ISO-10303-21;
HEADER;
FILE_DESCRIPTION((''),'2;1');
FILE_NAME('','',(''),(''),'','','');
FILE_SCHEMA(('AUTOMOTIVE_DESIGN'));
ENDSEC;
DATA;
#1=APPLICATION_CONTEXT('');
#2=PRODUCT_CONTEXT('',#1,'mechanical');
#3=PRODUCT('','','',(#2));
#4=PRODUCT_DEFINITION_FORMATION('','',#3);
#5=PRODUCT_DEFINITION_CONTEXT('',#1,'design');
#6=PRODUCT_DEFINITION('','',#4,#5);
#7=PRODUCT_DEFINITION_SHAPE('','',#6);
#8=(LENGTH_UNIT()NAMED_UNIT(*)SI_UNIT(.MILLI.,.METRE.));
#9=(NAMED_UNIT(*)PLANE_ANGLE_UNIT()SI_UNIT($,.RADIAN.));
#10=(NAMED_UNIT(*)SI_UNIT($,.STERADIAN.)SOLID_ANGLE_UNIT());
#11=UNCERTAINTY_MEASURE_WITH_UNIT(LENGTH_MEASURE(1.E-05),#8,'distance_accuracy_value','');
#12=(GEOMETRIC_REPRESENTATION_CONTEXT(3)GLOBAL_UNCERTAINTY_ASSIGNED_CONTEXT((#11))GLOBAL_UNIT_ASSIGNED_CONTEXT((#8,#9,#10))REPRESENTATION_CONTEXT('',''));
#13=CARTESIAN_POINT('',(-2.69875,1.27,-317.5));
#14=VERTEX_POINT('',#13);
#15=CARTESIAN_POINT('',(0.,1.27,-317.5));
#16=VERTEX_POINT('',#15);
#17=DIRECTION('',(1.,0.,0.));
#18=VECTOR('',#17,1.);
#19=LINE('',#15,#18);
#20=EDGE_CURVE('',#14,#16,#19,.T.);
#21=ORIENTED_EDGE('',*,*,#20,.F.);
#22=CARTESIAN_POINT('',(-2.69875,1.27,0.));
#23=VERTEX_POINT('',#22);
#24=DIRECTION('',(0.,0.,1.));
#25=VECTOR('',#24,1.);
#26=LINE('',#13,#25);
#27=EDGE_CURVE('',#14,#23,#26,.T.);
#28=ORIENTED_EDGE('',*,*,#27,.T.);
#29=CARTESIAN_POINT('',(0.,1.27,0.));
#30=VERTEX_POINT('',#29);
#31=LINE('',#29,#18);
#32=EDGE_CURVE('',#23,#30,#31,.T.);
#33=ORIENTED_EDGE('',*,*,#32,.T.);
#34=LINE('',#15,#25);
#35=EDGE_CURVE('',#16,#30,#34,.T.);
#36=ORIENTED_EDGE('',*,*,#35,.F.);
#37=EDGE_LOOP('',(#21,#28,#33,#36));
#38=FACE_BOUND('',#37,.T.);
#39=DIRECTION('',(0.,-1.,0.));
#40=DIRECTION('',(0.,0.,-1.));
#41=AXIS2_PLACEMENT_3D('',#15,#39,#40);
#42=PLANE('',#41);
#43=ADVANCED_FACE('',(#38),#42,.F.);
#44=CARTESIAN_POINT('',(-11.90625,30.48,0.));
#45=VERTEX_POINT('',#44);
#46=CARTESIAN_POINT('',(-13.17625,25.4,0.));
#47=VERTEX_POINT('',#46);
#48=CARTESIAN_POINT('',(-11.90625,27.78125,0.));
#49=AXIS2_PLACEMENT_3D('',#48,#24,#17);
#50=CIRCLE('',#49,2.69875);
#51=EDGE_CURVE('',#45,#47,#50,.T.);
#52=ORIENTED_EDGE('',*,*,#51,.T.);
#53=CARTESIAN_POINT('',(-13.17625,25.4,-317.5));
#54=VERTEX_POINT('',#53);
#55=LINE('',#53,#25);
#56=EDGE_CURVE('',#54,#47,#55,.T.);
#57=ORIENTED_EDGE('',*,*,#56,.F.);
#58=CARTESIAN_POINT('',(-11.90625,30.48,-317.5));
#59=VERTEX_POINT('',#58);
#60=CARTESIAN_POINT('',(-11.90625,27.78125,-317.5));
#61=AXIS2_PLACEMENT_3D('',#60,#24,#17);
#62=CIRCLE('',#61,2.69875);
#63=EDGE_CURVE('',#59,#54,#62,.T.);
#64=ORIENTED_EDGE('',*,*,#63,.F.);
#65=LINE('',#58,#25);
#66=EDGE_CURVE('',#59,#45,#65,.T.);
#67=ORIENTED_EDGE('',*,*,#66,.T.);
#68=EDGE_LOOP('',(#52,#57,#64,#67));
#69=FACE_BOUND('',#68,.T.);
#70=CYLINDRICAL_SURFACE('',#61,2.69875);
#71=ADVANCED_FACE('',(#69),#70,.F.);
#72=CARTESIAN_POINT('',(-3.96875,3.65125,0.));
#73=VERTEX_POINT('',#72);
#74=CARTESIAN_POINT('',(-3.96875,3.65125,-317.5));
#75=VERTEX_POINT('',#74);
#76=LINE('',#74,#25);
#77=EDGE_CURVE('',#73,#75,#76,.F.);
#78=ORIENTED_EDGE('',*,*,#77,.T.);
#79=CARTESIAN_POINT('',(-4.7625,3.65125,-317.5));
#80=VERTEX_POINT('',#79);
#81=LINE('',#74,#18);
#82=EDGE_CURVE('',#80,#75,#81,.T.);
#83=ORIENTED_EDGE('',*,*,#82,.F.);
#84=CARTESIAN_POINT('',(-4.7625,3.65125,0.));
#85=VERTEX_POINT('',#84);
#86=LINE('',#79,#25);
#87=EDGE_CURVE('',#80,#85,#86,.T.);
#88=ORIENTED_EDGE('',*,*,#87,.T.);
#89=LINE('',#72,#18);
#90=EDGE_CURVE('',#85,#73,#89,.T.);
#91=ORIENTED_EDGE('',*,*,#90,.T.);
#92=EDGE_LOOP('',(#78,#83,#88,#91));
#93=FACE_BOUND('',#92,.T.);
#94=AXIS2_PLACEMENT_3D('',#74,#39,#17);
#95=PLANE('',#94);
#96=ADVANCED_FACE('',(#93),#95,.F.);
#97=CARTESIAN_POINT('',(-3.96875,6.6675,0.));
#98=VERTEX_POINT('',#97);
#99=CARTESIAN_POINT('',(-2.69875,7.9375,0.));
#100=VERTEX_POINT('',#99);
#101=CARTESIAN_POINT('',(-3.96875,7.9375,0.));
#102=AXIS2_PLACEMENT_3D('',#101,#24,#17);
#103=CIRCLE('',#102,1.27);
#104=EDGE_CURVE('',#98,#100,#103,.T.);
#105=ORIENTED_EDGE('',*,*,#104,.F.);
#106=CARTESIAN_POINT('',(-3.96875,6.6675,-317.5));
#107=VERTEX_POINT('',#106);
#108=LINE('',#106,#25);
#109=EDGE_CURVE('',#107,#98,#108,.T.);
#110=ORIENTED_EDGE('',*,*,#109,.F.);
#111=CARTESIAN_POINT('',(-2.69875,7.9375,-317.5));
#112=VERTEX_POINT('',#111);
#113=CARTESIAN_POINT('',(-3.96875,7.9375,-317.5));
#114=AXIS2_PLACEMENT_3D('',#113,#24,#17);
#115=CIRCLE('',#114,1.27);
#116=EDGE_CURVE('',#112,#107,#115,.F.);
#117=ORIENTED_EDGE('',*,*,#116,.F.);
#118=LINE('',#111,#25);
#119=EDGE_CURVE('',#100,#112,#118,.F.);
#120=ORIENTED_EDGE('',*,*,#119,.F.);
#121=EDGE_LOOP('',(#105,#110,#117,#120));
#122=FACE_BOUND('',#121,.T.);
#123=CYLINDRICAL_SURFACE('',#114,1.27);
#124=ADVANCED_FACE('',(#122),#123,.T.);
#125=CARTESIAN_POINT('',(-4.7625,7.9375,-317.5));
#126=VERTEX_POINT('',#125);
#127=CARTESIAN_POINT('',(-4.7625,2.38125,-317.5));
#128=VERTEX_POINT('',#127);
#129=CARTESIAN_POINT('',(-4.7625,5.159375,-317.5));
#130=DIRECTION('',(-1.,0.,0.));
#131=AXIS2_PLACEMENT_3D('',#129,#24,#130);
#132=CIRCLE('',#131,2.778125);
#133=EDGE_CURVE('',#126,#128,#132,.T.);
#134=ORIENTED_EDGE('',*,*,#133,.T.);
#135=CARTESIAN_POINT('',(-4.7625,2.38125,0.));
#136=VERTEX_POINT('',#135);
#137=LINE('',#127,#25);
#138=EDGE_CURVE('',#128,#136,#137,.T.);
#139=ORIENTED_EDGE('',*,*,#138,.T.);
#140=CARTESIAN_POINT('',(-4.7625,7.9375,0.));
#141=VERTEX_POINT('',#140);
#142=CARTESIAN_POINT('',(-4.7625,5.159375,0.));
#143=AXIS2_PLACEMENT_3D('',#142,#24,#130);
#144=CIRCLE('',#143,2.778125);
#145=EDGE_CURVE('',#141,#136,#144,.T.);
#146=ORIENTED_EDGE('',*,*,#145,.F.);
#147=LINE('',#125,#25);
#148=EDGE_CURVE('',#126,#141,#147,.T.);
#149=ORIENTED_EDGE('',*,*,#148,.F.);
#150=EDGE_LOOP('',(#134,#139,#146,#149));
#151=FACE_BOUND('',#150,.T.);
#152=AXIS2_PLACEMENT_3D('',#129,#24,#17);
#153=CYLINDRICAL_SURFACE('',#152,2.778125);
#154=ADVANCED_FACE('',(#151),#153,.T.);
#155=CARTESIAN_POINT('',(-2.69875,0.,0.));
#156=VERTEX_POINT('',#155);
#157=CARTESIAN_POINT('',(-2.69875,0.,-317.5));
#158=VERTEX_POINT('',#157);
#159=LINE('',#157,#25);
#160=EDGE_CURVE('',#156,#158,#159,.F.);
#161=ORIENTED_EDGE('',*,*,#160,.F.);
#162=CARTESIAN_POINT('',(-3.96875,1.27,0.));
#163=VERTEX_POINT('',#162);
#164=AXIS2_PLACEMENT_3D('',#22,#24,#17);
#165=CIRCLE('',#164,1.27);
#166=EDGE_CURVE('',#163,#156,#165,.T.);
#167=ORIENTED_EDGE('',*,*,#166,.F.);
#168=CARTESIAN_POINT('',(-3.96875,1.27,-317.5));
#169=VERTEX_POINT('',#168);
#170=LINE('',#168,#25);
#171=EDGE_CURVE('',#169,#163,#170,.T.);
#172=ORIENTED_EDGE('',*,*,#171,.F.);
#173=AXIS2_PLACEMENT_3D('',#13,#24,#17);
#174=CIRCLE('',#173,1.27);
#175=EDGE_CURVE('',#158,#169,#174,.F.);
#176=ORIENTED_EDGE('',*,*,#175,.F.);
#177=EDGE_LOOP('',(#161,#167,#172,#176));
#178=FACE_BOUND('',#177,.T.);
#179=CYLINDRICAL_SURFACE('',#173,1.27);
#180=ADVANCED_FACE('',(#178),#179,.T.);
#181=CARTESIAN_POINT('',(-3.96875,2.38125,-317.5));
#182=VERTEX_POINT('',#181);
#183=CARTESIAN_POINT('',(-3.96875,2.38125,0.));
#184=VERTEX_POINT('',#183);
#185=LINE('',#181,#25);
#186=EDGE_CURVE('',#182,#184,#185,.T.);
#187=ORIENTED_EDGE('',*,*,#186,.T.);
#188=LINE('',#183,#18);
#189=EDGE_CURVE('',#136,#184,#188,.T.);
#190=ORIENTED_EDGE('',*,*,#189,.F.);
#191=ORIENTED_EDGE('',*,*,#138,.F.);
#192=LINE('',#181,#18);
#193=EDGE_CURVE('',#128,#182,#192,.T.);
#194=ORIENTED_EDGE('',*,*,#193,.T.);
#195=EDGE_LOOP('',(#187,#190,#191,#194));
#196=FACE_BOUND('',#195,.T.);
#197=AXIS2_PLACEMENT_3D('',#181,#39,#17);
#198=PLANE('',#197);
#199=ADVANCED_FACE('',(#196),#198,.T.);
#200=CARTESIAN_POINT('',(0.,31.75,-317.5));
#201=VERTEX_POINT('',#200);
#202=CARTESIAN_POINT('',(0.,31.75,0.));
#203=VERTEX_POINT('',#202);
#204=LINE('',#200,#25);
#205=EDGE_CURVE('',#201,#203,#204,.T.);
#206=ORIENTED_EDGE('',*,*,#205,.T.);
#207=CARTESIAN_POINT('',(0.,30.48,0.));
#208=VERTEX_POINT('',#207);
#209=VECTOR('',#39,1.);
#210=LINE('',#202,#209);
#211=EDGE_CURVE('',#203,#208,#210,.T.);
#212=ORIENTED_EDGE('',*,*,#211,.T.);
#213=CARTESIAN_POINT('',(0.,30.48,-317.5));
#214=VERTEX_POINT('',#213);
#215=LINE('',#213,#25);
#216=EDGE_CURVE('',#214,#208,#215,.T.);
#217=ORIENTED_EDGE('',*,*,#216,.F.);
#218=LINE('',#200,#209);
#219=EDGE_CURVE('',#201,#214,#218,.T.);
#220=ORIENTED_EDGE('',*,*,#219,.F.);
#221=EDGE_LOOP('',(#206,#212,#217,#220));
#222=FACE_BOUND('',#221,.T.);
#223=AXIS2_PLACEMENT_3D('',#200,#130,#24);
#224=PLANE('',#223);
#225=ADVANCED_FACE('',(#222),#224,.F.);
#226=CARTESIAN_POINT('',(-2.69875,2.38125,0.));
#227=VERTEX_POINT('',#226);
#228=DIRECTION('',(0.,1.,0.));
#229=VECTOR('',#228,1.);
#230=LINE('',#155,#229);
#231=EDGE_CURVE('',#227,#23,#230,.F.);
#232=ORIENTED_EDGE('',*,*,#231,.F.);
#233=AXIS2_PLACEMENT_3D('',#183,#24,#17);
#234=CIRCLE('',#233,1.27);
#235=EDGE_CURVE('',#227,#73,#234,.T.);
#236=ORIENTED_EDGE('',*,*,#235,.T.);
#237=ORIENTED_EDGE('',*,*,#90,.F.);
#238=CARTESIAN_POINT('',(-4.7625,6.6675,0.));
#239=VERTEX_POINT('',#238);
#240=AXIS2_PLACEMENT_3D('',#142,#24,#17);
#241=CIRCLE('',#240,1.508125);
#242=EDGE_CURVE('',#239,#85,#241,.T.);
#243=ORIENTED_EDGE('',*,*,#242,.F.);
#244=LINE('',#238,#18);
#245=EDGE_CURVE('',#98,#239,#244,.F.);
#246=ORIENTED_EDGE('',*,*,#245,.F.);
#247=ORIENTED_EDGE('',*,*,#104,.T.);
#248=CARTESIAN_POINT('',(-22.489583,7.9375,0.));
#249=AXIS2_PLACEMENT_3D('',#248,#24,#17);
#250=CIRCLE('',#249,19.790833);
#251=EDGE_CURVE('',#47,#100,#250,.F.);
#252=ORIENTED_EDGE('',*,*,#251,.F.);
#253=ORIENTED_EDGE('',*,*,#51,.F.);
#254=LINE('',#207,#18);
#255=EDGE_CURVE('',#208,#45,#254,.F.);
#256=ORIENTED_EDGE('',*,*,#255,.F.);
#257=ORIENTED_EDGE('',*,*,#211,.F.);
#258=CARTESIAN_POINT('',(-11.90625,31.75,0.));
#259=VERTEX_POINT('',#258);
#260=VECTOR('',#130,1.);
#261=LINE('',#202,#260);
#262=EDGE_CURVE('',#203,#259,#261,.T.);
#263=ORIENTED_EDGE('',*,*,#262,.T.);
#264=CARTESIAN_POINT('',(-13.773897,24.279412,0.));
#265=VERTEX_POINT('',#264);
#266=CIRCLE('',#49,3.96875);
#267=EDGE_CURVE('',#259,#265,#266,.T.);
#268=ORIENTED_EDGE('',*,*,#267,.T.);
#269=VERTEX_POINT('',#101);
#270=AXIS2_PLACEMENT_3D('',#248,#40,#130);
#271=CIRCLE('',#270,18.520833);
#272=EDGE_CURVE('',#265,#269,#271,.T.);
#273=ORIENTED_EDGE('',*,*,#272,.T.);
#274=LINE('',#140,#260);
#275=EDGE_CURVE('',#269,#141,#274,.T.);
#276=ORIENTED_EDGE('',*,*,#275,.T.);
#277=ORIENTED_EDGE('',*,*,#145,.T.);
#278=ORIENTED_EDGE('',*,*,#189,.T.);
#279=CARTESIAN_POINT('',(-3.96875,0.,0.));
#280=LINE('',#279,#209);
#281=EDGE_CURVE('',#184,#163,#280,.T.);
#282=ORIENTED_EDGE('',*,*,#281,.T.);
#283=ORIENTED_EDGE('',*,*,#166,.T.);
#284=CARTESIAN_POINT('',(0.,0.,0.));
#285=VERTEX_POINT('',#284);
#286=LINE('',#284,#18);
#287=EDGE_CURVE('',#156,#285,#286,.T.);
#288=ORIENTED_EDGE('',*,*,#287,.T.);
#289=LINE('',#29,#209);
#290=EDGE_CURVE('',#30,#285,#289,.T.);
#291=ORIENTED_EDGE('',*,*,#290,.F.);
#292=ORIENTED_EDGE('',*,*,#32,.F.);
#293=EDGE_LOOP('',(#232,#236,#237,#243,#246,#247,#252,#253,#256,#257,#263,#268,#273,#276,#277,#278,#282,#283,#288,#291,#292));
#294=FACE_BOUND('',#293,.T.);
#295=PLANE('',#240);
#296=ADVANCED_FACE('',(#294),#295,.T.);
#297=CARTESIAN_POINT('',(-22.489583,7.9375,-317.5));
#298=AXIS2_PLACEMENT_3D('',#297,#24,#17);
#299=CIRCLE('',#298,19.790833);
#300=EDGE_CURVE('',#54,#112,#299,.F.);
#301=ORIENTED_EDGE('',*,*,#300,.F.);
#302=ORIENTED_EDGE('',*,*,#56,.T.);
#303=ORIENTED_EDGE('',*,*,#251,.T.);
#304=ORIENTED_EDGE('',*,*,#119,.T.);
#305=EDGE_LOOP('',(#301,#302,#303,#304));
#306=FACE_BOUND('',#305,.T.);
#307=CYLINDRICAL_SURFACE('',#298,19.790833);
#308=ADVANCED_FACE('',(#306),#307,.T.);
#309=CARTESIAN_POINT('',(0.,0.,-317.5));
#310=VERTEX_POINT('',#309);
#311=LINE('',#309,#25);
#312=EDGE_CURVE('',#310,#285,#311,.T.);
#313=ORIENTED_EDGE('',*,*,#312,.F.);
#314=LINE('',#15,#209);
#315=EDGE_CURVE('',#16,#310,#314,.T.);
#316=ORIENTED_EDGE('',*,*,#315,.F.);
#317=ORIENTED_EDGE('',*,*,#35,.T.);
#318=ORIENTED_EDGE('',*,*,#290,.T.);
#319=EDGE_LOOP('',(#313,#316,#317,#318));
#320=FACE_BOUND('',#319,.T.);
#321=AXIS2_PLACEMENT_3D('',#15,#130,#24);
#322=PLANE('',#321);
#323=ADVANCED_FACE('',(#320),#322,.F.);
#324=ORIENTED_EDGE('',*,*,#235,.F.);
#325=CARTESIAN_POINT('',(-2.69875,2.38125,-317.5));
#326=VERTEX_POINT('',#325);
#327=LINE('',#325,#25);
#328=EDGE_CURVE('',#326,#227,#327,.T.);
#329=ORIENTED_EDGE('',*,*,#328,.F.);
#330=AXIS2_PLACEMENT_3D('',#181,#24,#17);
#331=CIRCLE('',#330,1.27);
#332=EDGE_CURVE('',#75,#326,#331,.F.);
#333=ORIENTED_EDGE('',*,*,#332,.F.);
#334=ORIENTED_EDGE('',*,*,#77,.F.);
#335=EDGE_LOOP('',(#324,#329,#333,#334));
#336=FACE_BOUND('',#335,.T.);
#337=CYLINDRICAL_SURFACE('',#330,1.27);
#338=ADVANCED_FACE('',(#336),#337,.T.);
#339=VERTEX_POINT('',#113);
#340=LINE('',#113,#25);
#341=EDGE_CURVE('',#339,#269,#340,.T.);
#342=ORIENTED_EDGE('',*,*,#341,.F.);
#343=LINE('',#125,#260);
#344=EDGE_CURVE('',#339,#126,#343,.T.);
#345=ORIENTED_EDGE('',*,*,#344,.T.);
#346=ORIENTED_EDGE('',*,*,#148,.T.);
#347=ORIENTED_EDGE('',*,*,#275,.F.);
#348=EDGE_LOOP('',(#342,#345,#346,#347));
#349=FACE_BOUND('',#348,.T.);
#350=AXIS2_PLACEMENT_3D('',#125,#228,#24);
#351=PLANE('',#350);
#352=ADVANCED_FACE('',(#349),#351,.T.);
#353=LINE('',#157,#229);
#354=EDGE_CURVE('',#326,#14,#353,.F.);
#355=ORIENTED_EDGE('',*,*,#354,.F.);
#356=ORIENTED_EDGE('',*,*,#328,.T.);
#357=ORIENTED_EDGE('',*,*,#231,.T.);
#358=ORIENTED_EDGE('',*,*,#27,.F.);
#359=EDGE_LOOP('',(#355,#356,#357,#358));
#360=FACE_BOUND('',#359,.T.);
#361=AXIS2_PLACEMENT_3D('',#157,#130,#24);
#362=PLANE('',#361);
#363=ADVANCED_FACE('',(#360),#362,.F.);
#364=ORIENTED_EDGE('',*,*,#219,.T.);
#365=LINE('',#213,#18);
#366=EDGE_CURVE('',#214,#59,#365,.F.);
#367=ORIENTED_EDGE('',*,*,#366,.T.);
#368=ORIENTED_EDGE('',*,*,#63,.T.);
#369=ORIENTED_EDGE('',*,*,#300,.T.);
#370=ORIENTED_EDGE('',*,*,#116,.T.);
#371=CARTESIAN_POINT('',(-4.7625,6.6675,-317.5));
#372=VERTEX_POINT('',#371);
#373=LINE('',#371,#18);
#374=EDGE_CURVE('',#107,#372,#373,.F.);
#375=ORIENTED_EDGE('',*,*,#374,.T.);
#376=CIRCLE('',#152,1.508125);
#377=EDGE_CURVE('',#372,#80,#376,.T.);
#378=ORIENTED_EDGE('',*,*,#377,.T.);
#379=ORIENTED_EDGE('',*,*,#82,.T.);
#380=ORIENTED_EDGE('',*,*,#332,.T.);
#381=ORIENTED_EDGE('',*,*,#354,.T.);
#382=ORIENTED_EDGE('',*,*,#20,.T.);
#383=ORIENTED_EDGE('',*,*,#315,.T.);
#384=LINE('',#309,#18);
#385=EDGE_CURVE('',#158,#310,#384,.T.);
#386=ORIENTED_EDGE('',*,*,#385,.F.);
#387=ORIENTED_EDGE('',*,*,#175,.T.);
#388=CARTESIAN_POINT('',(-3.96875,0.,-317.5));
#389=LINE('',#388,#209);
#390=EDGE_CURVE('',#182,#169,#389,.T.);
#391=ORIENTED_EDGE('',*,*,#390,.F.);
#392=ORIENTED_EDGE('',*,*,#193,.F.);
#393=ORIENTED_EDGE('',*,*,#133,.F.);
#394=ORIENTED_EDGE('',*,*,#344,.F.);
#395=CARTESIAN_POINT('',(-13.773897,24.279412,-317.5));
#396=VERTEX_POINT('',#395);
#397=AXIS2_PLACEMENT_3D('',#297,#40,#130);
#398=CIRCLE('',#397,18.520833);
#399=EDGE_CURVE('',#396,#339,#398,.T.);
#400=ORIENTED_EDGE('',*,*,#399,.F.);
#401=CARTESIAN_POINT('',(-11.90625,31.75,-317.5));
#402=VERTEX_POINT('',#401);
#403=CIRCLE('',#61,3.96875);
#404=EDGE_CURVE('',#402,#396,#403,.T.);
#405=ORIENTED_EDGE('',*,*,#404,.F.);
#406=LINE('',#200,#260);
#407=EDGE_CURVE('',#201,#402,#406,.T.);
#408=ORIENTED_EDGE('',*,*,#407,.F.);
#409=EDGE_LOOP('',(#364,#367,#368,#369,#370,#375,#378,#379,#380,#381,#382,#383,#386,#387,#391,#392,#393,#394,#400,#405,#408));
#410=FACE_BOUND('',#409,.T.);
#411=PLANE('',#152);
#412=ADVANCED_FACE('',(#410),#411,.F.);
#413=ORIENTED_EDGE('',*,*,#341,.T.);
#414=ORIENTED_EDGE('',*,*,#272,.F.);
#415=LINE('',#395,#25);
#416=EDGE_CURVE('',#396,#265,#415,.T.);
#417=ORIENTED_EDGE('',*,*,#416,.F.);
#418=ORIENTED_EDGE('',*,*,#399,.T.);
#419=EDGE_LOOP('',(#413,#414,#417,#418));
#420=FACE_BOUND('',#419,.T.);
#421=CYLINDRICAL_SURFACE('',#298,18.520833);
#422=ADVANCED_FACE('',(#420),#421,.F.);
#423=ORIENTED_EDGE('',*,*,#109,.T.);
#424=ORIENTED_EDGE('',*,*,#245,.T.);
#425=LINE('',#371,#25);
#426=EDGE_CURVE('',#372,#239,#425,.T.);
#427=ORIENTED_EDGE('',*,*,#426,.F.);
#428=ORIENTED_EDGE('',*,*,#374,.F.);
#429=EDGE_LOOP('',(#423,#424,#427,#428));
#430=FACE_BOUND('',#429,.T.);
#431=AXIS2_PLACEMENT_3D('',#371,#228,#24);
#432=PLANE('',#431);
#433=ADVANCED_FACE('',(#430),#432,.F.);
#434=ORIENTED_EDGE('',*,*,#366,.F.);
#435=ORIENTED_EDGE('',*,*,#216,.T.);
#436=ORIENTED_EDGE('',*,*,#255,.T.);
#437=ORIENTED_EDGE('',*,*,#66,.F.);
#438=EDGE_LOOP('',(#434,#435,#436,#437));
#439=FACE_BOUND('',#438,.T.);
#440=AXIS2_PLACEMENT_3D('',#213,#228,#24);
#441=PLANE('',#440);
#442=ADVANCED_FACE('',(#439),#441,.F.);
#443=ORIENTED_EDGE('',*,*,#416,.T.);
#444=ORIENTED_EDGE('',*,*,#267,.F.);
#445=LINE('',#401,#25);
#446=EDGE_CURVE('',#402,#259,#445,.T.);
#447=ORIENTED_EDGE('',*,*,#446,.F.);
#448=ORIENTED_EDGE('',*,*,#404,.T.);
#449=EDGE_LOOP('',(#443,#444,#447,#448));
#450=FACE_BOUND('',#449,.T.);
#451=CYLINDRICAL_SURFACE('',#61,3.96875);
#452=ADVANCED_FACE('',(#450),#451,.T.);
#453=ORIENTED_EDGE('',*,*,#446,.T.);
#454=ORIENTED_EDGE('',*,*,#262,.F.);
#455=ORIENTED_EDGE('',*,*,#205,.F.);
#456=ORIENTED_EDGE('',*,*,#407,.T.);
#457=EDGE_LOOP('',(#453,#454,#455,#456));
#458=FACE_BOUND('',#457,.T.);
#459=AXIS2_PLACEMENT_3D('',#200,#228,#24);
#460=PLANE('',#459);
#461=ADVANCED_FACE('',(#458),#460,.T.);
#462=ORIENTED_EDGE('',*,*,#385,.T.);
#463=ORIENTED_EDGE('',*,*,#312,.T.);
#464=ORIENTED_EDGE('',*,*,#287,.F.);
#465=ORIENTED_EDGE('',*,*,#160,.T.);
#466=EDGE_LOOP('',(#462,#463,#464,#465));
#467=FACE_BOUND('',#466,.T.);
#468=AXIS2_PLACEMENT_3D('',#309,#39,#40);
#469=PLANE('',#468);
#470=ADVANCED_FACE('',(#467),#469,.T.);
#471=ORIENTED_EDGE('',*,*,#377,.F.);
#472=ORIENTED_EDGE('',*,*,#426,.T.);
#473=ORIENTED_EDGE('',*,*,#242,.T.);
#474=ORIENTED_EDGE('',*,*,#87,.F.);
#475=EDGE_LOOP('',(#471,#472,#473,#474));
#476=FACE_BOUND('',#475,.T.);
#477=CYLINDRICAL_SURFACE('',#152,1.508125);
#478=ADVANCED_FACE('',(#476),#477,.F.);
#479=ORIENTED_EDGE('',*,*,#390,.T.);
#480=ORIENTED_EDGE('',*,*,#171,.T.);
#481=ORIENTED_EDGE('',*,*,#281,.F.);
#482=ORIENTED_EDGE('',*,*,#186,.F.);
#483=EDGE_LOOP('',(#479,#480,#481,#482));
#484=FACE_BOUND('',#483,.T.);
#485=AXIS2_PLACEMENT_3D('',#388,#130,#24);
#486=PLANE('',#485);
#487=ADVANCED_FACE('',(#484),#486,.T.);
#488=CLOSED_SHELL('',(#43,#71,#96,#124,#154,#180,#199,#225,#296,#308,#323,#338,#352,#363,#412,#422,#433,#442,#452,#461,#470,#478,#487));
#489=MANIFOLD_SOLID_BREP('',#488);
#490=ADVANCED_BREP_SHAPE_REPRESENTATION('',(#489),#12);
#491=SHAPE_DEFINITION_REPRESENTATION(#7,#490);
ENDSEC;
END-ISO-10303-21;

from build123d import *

# Parameters (mm, degrees)
EXTRUDE_THIN1_DEPTH = 317.5
FILLET1_R           = 1.27


with BuildPart() as part:
    # Sketch1 → Extrude-Thin1 (new body)
    with BuildSketch(Plane.XY):
        with BuildLine():
            Line((0, 31.75), (-11.90625, 31.75))
            ThreePointArc((-11.90625, 31.75), (-15.756503047, 28.743813262), (-13.773897059, 24.279411765))
            ThreePointArc((-13.773897059, 24.279411765), (-6.608099772, 17.466390137), (-3.96875, 7.9375))
            Line((-3.96875, 7.9375), (-4.7625, 7.9375))
            ThreePointArc((-4.7625, 7.9375), (-7.540625, 5.159375), (-4.7625, 2.38125))
            Line((-4.7625, 2.38125), (-3.96875, 2.38125))
            Line((-3.96875, 2.38125), (-3.96875, 0))
            Line((-3.96875, 0), (0, 0))
            Line((0, 0), (0, 1.27))
            Line((0, 1.27), (-2.69875, 1.27))
            Line((-2.69875, 1.27), (-2.69875, 3.65125))
            Line((-2.69875, 3.65125), (-4.7625, 3.65125))
            ThreePointArc((-4.7625, 3.65125), (-6.270625, 5.159375), (-4.7625, 6.6675))
            Line((-4.7625, 6.6675), (-2.7395407, 6.6675))
            ThreePointArc((-2.7395407, 6.6675), (-5.200957167, 17.569762939), (-13.17625, 25.4))
            ThreePointArc((-13.17625, 25.4), (-14.524422072, 28.435793018), (-11.90625, 30.48))
            Line((-11.90625, 30.48), (0, 30.48))
            Line((0, 30.48), (0, 31.75))
        make_face()
    extrude(amount=-EXTRUDE_THIN1_DEPTH)

    # Fillet1
    fillet1_edges = [part.edges().sort_by_distance(p)[0] for p in [
        (-3.96875, 0, -158.75),
        (-2.7395407, 6.6675, -158.75),
        (-2.69875, 3.65125, -158.75),
    ]]
    fillet(fillet1_edges, radius=FILLET1_R)


solid = part.part
